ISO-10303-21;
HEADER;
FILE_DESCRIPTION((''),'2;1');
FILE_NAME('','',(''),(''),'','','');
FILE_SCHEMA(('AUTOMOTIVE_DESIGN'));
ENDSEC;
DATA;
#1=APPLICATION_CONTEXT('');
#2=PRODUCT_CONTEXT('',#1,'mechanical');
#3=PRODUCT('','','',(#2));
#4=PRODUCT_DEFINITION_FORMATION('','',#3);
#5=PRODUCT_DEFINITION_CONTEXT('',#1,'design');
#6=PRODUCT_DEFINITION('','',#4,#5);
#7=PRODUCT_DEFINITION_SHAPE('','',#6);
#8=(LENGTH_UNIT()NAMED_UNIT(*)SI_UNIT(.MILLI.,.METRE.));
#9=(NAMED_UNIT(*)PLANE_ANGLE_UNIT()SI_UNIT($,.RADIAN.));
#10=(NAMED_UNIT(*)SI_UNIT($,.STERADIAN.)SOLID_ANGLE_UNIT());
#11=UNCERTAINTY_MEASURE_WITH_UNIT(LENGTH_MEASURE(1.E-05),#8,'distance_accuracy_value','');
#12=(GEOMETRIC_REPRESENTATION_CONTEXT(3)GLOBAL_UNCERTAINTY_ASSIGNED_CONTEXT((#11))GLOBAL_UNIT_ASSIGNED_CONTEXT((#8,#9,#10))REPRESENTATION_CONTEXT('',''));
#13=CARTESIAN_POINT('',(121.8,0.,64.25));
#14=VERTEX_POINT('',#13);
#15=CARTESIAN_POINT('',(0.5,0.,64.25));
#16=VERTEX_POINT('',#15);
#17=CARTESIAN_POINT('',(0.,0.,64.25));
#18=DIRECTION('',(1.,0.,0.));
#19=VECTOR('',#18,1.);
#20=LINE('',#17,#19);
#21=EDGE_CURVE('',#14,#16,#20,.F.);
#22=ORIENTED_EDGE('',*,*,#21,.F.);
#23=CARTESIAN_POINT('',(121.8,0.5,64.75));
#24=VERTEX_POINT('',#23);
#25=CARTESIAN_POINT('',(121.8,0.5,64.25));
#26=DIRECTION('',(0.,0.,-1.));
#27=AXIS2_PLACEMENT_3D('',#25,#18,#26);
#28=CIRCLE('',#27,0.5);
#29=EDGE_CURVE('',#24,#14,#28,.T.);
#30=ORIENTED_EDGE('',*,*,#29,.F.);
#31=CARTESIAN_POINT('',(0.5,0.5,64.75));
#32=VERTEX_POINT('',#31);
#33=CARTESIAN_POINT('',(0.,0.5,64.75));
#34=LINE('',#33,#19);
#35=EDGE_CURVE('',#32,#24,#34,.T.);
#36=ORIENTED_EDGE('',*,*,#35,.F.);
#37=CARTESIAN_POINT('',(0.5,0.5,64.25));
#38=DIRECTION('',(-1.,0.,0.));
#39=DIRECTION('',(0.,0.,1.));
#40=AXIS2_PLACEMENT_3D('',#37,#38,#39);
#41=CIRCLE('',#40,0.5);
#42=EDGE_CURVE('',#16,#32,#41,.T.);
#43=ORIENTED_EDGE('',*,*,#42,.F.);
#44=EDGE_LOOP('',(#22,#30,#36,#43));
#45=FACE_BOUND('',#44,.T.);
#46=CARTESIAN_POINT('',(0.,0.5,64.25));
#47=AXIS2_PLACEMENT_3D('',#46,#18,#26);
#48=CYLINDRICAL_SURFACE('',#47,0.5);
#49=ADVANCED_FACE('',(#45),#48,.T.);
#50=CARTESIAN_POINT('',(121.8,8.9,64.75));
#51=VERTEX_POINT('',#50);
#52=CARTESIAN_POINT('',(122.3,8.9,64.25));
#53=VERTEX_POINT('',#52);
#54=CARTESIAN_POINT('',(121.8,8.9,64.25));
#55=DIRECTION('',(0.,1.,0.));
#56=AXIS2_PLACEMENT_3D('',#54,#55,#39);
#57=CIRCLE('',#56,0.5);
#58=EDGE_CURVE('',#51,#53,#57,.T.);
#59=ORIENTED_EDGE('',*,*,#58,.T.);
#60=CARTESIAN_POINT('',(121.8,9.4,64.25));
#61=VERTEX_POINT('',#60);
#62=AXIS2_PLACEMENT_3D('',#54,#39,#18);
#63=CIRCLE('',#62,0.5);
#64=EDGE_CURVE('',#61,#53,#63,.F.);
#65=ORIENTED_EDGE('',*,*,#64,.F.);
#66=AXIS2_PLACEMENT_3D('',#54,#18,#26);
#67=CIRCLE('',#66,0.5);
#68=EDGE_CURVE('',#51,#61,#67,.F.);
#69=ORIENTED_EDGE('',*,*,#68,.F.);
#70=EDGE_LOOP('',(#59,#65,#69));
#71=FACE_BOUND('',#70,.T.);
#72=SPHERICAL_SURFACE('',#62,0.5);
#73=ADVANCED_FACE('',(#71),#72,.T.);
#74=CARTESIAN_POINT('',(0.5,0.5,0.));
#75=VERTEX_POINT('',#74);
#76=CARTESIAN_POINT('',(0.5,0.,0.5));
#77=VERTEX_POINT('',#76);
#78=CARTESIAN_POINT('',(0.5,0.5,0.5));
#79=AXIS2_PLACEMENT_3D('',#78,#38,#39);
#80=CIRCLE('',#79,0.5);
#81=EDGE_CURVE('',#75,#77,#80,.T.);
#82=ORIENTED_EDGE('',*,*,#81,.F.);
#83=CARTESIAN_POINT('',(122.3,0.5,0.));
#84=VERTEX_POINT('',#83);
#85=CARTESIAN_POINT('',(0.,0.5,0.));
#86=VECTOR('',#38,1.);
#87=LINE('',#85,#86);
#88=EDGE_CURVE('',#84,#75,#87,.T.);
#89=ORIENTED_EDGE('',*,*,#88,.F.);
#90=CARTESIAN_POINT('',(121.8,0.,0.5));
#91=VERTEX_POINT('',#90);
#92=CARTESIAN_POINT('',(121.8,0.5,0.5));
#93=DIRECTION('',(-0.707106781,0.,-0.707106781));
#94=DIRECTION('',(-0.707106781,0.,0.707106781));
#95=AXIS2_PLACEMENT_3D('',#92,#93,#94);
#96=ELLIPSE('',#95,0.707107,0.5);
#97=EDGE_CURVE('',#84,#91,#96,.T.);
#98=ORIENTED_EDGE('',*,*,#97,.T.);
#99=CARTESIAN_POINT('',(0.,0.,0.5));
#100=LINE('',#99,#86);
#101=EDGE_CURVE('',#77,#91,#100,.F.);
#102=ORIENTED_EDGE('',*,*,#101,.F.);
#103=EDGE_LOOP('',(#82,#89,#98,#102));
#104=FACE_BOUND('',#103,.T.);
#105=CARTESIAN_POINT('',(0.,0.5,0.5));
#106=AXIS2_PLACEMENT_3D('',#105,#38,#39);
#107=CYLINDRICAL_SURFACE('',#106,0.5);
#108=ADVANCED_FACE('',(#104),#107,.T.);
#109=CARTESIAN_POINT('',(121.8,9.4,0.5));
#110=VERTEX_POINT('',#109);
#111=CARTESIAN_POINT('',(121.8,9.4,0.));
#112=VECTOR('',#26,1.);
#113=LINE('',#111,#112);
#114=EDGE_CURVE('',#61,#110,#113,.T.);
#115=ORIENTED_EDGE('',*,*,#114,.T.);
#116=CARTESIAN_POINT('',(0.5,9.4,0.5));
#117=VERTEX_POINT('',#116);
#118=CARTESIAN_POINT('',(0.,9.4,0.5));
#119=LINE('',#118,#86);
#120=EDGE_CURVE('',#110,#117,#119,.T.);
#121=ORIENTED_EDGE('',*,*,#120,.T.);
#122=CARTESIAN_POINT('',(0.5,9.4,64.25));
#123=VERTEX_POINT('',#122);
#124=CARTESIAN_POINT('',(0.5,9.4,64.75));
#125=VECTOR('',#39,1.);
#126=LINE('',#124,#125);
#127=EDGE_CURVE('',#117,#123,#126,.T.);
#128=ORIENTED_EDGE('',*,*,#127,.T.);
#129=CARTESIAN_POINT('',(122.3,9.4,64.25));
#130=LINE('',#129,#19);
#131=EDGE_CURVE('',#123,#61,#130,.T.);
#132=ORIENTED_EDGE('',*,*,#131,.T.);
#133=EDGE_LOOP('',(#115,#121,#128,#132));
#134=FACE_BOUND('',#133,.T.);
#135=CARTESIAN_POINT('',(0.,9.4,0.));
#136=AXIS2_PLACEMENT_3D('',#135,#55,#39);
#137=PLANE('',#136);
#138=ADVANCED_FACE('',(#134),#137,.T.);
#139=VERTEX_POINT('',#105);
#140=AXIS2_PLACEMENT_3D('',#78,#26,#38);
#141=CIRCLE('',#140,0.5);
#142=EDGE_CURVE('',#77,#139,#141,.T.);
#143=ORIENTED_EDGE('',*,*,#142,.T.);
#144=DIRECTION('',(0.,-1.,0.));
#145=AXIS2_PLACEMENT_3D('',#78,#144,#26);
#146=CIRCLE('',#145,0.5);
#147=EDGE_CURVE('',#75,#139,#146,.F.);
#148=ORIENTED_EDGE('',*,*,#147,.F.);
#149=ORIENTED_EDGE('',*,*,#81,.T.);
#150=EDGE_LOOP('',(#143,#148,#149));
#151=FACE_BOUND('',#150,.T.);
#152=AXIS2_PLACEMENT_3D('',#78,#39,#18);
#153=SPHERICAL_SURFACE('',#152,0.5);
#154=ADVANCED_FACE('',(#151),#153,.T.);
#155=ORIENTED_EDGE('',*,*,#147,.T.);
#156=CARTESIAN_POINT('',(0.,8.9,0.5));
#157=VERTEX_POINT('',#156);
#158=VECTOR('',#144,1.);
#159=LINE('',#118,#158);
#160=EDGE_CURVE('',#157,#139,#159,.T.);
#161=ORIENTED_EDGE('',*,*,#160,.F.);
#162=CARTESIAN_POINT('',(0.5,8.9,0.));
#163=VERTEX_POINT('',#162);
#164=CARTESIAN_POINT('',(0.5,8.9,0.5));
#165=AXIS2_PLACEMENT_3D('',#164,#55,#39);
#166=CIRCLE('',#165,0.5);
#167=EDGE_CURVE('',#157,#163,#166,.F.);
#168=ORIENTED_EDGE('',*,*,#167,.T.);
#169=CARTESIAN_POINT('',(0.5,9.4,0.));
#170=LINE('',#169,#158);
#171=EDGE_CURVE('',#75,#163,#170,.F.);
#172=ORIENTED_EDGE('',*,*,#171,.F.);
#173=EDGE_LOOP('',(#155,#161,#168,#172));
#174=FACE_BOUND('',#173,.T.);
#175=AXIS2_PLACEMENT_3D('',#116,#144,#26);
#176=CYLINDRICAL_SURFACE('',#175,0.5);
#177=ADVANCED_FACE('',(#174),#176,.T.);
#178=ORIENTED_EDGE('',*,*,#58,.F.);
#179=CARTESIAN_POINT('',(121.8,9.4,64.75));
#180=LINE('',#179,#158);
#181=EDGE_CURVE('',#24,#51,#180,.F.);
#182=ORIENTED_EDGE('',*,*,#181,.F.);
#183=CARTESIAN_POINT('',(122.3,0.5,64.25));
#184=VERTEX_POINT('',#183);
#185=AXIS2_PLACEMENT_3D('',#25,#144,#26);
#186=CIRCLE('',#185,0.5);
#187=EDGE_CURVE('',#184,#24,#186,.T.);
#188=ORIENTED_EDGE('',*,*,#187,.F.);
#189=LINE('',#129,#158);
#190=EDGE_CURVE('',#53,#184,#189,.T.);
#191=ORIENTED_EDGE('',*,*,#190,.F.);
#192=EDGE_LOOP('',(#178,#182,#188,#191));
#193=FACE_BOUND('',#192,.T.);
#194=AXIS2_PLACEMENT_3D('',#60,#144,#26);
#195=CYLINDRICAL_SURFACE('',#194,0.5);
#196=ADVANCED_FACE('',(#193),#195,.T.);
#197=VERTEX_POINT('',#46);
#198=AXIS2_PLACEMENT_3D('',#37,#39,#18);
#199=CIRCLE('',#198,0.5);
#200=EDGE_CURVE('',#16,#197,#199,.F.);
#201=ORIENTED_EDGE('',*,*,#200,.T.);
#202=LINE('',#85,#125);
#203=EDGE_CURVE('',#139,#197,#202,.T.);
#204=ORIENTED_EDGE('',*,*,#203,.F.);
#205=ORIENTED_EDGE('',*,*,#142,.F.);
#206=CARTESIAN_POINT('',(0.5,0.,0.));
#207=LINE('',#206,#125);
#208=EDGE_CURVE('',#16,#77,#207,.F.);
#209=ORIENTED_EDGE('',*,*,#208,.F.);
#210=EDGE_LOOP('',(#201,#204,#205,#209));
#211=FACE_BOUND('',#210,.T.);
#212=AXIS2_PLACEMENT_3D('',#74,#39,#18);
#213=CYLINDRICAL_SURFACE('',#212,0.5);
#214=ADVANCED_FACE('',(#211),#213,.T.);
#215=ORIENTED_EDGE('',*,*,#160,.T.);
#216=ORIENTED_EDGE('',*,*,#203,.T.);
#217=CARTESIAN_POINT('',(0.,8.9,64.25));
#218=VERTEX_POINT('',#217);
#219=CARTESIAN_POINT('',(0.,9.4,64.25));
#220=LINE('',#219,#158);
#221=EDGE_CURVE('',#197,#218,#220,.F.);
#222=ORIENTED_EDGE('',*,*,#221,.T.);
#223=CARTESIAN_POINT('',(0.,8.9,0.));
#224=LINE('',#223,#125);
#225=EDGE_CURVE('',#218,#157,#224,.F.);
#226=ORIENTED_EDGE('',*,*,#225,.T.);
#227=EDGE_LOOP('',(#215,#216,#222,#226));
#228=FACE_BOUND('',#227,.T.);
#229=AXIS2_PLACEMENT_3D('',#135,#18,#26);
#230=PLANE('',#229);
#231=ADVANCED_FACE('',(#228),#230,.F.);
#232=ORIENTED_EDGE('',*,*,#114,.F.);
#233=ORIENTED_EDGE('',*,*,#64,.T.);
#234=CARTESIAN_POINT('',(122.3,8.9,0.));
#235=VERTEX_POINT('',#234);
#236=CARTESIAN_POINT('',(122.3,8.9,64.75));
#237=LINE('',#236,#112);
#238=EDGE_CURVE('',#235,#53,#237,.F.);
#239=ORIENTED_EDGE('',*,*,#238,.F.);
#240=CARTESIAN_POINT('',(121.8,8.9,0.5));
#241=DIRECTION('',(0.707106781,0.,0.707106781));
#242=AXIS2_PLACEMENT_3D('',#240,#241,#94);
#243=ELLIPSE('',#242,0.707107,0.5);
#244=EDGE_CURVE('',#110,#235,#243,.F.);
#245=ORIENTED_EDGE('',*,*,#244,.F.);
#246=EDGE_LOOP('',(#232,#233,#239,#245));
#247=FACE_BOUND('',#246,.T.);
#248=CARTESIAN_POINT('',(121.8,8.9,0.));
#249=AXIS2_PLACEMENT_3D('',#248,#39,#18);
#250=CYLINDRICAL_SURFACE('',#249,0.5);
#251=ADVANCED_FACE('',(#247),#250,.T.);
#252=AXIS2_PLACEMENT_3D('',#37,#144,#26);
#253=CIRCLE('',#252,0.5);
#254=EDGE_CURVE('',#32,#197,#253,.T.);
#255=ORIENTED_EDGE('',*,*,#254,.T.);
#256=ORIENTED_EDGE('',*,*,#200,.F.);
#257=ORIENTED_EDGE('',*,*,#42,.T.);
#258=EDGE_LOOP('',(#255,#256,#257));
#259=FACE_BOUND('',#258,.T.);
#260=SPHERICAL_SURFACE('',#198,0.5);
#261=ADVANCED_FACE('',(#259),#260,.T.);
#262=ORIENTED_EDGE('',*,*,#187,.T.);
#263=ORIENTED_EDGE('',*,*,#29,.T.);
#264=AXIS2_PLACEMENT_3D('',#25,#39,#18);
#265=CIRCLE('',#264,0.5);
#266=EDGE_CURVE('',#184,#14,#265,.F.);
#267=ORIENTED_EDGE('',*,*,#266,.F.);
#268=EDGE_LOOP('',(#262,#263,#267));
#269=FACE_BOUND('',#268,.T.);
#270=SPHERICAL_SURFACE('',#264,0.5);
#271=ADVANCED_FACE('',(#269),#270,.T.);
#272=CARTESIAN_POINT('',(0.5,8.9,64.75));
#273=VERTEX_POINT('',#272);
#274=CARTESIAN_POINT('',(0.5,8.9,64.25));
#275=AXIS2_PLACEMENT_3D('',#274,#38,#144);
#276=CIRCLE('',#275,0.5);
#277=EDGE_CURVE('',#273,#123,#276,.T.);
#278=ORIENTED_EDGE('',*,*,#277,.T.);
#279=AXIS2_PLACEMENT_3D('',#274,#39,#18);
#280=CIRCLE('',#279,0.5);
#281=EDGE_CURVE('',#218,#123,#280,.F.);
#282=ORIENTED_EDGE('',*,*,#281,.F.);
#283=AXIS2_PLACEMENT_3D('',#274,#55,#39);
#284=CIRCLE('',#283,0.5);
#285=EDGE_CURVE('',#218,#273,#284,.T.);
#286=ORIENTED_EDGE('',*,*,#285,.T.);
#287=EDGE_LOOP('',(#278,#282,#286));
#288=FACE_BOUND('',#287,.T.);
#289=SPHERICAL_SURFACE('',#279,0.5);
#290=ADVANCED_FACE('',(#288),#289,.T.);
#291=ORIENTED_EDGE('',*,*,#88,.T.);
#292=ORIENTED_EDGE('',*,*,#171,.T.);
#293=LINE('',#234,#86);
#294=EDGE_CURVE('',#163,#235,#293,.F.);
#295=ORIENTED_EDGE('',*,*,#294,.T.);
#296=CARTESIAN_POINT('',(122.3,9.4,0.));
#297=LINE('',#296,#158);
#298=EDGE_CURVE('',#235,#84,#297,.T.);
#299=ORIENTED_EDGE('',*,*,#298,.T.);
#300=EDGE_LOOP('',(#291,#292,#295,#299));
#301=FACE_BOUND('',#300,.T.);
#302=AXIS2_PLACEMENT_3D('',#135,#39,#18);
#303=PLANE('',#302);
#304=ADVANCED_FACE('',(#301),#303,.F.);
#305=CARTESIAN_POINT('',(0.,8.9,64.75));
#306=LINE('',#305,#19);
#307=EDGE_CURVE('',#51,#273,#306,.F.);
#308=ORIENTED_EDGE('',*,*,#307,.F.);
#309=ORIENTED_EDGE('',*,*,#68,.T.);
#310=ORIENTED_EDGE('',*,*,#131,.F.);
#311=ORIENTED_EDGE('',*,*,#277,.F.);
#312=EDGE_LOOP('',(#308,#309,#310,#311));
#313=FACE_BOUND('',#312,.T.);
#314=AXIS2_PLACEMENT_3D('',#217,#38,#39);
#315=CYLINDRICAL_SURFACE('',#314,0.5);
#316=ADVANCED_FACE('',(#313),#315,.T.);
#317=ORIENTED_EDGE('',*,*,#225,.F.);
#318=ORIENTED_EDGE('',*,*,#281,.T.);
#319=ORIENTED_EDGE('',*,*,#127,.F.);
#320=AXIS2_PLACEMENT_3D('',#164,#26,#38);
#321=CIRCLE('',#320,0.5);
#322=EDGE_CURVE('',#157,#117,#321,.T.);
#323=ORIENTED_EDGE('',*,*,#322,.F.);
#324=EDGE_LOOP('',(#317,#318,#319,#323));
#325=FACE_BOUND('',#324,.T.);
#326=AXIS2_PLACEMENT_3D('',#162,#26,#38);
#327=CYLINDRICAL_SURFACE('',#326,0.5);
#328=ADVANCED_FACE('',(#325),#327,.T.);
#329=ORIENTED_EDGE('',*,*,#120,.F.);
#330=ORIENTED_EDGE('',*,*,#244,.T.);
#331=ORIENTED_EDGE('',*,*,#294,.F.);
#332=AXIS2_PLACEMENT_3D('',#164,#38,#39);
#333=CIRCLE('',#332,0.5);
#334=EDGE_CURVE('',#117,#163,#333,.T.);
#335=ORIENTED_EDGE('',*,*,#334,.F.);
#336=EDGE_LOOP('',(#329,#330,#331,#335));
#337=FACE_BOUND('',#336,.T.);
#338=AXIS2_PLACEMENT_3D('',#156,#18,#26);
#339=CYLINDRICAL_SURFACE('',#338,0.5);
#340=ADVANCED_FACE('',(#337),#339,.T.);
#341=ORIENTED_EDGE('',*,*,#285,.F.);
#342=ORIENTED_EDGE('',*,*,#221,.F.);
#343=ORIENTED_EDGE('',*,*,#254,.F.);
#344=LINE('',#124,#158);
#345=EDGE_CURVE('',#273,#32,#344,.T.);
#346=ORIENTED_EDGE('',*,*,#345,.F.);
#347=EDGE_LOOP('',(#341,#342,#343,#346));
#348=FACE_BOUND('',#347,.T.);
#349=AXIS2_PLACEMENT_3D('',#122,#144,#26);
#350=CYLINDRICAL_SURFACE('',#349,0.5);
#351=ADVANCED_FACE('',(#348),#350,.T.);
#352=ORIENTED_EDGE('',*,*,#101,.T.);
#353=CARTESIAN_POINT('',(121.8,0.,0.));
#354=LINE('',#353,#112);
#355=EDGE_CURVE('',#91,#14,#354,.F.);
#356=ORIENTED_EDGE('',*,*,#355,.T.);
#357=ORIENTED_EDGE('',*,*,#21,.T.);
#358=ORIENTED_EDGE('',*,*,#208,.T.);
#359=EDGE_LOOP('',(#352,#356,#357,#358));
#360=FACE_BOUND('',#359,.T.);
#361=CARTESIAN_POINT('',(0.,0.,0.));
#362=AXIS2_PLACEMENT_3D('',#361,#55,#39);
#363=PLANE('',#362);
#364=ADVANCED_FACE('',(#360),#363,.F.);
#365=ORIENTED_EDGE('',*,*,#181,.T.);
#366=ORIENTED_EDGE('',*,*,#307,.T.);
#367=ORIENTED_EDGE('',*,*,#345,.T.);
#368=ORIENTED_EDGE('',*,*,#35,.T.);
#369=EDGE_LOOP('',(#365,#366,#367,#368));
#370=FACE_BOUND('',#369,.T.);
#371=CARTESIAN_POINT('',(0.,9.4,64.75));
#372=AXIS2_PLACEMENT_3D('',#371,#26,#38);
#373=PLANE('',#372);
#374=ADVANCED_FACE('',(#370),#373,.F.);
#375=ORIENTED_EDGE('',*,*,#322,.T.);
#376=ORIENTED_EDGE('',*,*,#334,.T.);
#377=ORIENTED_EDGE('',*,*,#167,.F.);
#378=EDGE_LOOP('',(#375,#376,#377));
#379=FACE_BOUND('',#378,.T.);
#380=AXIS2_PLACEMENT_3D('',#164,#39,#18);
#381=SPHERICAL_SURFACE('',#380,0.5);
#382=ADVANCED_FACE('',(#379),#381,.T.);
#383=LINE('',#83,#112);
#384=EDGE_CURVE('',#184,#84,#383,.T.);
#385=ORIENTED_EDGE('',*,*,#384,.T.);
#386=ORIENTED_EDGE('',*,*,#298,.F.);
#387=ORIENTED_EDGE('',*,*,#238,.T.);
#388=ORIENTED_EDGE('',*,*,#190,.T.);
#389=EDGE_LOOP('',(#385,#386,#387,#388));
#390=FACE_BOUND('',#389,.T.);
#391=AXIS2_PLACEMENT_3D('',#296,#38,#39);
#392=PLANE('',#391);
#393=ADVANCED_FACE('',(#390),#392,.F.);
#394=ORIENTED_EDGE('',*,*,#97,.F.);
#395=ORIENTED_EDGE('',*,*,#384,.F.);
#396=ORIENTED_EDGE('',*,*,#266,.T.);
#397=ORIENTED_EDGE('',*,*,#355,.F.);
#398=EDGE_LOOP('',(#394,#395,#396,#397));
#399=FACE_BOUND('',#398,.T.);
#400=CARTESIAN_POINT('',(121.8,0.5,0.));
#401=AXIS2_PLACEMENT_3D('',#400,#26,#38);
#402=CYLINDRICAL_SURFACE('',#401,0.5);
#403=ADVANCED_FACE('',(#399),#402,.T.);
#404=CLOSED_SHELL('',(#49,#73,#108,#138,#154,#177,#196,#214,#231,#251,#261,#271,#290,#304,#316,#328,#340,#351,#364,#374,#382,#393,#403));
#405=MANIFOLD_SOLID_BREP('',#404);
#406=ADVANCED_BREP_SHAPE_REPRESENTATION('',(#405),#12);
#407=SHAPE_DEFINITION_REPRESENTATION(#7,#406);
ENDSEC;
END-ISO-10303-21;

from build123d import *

# Parameters (mm, degrees)
SKETCH_1_W      = 122.3
SKETCH_1_H      = 64.75
EXTRUDE_1_DEPTH = 9.4
FILLET_1_R      = 0.5


with BuildPart() as part:
    # Эскиз1 → Бобышка-Вытянуть1 (new body)
    with BuildSketch(Plane(origin=(0, 0, 0), x_dir=(1, 0, 0), z_dir=(0, 1, 0))):
        with Locations((61.15, -32.375)):
            Rectangle(SKETCH_1_W, SKETCH_1_H)
    extrude(amount=EXTRUDE_1_DEPTH)

    # Скругление1
    fillet_1_edges = [part.edges().sort_by_distance(p)[0] for p in [
        (122.3, 9.4, 32.375),
        (61.15, 9.4, 0),
        (0, 9.4, 32.375),
        (61.15, 0, 0),
        (122.3, 0, 32.375),
        (61.15, 0, 64.75),
        (0, 0, 32.375),
        (61.15, 9.4, 64.75),
        (0, 4.7, 0),
        (122.3, 4.7, 64.75),
        (0, 4.7, 64.75),
    ]]
    fillet(fillet_1_edges, radius=FILLET_1_R)


solid = part.part
